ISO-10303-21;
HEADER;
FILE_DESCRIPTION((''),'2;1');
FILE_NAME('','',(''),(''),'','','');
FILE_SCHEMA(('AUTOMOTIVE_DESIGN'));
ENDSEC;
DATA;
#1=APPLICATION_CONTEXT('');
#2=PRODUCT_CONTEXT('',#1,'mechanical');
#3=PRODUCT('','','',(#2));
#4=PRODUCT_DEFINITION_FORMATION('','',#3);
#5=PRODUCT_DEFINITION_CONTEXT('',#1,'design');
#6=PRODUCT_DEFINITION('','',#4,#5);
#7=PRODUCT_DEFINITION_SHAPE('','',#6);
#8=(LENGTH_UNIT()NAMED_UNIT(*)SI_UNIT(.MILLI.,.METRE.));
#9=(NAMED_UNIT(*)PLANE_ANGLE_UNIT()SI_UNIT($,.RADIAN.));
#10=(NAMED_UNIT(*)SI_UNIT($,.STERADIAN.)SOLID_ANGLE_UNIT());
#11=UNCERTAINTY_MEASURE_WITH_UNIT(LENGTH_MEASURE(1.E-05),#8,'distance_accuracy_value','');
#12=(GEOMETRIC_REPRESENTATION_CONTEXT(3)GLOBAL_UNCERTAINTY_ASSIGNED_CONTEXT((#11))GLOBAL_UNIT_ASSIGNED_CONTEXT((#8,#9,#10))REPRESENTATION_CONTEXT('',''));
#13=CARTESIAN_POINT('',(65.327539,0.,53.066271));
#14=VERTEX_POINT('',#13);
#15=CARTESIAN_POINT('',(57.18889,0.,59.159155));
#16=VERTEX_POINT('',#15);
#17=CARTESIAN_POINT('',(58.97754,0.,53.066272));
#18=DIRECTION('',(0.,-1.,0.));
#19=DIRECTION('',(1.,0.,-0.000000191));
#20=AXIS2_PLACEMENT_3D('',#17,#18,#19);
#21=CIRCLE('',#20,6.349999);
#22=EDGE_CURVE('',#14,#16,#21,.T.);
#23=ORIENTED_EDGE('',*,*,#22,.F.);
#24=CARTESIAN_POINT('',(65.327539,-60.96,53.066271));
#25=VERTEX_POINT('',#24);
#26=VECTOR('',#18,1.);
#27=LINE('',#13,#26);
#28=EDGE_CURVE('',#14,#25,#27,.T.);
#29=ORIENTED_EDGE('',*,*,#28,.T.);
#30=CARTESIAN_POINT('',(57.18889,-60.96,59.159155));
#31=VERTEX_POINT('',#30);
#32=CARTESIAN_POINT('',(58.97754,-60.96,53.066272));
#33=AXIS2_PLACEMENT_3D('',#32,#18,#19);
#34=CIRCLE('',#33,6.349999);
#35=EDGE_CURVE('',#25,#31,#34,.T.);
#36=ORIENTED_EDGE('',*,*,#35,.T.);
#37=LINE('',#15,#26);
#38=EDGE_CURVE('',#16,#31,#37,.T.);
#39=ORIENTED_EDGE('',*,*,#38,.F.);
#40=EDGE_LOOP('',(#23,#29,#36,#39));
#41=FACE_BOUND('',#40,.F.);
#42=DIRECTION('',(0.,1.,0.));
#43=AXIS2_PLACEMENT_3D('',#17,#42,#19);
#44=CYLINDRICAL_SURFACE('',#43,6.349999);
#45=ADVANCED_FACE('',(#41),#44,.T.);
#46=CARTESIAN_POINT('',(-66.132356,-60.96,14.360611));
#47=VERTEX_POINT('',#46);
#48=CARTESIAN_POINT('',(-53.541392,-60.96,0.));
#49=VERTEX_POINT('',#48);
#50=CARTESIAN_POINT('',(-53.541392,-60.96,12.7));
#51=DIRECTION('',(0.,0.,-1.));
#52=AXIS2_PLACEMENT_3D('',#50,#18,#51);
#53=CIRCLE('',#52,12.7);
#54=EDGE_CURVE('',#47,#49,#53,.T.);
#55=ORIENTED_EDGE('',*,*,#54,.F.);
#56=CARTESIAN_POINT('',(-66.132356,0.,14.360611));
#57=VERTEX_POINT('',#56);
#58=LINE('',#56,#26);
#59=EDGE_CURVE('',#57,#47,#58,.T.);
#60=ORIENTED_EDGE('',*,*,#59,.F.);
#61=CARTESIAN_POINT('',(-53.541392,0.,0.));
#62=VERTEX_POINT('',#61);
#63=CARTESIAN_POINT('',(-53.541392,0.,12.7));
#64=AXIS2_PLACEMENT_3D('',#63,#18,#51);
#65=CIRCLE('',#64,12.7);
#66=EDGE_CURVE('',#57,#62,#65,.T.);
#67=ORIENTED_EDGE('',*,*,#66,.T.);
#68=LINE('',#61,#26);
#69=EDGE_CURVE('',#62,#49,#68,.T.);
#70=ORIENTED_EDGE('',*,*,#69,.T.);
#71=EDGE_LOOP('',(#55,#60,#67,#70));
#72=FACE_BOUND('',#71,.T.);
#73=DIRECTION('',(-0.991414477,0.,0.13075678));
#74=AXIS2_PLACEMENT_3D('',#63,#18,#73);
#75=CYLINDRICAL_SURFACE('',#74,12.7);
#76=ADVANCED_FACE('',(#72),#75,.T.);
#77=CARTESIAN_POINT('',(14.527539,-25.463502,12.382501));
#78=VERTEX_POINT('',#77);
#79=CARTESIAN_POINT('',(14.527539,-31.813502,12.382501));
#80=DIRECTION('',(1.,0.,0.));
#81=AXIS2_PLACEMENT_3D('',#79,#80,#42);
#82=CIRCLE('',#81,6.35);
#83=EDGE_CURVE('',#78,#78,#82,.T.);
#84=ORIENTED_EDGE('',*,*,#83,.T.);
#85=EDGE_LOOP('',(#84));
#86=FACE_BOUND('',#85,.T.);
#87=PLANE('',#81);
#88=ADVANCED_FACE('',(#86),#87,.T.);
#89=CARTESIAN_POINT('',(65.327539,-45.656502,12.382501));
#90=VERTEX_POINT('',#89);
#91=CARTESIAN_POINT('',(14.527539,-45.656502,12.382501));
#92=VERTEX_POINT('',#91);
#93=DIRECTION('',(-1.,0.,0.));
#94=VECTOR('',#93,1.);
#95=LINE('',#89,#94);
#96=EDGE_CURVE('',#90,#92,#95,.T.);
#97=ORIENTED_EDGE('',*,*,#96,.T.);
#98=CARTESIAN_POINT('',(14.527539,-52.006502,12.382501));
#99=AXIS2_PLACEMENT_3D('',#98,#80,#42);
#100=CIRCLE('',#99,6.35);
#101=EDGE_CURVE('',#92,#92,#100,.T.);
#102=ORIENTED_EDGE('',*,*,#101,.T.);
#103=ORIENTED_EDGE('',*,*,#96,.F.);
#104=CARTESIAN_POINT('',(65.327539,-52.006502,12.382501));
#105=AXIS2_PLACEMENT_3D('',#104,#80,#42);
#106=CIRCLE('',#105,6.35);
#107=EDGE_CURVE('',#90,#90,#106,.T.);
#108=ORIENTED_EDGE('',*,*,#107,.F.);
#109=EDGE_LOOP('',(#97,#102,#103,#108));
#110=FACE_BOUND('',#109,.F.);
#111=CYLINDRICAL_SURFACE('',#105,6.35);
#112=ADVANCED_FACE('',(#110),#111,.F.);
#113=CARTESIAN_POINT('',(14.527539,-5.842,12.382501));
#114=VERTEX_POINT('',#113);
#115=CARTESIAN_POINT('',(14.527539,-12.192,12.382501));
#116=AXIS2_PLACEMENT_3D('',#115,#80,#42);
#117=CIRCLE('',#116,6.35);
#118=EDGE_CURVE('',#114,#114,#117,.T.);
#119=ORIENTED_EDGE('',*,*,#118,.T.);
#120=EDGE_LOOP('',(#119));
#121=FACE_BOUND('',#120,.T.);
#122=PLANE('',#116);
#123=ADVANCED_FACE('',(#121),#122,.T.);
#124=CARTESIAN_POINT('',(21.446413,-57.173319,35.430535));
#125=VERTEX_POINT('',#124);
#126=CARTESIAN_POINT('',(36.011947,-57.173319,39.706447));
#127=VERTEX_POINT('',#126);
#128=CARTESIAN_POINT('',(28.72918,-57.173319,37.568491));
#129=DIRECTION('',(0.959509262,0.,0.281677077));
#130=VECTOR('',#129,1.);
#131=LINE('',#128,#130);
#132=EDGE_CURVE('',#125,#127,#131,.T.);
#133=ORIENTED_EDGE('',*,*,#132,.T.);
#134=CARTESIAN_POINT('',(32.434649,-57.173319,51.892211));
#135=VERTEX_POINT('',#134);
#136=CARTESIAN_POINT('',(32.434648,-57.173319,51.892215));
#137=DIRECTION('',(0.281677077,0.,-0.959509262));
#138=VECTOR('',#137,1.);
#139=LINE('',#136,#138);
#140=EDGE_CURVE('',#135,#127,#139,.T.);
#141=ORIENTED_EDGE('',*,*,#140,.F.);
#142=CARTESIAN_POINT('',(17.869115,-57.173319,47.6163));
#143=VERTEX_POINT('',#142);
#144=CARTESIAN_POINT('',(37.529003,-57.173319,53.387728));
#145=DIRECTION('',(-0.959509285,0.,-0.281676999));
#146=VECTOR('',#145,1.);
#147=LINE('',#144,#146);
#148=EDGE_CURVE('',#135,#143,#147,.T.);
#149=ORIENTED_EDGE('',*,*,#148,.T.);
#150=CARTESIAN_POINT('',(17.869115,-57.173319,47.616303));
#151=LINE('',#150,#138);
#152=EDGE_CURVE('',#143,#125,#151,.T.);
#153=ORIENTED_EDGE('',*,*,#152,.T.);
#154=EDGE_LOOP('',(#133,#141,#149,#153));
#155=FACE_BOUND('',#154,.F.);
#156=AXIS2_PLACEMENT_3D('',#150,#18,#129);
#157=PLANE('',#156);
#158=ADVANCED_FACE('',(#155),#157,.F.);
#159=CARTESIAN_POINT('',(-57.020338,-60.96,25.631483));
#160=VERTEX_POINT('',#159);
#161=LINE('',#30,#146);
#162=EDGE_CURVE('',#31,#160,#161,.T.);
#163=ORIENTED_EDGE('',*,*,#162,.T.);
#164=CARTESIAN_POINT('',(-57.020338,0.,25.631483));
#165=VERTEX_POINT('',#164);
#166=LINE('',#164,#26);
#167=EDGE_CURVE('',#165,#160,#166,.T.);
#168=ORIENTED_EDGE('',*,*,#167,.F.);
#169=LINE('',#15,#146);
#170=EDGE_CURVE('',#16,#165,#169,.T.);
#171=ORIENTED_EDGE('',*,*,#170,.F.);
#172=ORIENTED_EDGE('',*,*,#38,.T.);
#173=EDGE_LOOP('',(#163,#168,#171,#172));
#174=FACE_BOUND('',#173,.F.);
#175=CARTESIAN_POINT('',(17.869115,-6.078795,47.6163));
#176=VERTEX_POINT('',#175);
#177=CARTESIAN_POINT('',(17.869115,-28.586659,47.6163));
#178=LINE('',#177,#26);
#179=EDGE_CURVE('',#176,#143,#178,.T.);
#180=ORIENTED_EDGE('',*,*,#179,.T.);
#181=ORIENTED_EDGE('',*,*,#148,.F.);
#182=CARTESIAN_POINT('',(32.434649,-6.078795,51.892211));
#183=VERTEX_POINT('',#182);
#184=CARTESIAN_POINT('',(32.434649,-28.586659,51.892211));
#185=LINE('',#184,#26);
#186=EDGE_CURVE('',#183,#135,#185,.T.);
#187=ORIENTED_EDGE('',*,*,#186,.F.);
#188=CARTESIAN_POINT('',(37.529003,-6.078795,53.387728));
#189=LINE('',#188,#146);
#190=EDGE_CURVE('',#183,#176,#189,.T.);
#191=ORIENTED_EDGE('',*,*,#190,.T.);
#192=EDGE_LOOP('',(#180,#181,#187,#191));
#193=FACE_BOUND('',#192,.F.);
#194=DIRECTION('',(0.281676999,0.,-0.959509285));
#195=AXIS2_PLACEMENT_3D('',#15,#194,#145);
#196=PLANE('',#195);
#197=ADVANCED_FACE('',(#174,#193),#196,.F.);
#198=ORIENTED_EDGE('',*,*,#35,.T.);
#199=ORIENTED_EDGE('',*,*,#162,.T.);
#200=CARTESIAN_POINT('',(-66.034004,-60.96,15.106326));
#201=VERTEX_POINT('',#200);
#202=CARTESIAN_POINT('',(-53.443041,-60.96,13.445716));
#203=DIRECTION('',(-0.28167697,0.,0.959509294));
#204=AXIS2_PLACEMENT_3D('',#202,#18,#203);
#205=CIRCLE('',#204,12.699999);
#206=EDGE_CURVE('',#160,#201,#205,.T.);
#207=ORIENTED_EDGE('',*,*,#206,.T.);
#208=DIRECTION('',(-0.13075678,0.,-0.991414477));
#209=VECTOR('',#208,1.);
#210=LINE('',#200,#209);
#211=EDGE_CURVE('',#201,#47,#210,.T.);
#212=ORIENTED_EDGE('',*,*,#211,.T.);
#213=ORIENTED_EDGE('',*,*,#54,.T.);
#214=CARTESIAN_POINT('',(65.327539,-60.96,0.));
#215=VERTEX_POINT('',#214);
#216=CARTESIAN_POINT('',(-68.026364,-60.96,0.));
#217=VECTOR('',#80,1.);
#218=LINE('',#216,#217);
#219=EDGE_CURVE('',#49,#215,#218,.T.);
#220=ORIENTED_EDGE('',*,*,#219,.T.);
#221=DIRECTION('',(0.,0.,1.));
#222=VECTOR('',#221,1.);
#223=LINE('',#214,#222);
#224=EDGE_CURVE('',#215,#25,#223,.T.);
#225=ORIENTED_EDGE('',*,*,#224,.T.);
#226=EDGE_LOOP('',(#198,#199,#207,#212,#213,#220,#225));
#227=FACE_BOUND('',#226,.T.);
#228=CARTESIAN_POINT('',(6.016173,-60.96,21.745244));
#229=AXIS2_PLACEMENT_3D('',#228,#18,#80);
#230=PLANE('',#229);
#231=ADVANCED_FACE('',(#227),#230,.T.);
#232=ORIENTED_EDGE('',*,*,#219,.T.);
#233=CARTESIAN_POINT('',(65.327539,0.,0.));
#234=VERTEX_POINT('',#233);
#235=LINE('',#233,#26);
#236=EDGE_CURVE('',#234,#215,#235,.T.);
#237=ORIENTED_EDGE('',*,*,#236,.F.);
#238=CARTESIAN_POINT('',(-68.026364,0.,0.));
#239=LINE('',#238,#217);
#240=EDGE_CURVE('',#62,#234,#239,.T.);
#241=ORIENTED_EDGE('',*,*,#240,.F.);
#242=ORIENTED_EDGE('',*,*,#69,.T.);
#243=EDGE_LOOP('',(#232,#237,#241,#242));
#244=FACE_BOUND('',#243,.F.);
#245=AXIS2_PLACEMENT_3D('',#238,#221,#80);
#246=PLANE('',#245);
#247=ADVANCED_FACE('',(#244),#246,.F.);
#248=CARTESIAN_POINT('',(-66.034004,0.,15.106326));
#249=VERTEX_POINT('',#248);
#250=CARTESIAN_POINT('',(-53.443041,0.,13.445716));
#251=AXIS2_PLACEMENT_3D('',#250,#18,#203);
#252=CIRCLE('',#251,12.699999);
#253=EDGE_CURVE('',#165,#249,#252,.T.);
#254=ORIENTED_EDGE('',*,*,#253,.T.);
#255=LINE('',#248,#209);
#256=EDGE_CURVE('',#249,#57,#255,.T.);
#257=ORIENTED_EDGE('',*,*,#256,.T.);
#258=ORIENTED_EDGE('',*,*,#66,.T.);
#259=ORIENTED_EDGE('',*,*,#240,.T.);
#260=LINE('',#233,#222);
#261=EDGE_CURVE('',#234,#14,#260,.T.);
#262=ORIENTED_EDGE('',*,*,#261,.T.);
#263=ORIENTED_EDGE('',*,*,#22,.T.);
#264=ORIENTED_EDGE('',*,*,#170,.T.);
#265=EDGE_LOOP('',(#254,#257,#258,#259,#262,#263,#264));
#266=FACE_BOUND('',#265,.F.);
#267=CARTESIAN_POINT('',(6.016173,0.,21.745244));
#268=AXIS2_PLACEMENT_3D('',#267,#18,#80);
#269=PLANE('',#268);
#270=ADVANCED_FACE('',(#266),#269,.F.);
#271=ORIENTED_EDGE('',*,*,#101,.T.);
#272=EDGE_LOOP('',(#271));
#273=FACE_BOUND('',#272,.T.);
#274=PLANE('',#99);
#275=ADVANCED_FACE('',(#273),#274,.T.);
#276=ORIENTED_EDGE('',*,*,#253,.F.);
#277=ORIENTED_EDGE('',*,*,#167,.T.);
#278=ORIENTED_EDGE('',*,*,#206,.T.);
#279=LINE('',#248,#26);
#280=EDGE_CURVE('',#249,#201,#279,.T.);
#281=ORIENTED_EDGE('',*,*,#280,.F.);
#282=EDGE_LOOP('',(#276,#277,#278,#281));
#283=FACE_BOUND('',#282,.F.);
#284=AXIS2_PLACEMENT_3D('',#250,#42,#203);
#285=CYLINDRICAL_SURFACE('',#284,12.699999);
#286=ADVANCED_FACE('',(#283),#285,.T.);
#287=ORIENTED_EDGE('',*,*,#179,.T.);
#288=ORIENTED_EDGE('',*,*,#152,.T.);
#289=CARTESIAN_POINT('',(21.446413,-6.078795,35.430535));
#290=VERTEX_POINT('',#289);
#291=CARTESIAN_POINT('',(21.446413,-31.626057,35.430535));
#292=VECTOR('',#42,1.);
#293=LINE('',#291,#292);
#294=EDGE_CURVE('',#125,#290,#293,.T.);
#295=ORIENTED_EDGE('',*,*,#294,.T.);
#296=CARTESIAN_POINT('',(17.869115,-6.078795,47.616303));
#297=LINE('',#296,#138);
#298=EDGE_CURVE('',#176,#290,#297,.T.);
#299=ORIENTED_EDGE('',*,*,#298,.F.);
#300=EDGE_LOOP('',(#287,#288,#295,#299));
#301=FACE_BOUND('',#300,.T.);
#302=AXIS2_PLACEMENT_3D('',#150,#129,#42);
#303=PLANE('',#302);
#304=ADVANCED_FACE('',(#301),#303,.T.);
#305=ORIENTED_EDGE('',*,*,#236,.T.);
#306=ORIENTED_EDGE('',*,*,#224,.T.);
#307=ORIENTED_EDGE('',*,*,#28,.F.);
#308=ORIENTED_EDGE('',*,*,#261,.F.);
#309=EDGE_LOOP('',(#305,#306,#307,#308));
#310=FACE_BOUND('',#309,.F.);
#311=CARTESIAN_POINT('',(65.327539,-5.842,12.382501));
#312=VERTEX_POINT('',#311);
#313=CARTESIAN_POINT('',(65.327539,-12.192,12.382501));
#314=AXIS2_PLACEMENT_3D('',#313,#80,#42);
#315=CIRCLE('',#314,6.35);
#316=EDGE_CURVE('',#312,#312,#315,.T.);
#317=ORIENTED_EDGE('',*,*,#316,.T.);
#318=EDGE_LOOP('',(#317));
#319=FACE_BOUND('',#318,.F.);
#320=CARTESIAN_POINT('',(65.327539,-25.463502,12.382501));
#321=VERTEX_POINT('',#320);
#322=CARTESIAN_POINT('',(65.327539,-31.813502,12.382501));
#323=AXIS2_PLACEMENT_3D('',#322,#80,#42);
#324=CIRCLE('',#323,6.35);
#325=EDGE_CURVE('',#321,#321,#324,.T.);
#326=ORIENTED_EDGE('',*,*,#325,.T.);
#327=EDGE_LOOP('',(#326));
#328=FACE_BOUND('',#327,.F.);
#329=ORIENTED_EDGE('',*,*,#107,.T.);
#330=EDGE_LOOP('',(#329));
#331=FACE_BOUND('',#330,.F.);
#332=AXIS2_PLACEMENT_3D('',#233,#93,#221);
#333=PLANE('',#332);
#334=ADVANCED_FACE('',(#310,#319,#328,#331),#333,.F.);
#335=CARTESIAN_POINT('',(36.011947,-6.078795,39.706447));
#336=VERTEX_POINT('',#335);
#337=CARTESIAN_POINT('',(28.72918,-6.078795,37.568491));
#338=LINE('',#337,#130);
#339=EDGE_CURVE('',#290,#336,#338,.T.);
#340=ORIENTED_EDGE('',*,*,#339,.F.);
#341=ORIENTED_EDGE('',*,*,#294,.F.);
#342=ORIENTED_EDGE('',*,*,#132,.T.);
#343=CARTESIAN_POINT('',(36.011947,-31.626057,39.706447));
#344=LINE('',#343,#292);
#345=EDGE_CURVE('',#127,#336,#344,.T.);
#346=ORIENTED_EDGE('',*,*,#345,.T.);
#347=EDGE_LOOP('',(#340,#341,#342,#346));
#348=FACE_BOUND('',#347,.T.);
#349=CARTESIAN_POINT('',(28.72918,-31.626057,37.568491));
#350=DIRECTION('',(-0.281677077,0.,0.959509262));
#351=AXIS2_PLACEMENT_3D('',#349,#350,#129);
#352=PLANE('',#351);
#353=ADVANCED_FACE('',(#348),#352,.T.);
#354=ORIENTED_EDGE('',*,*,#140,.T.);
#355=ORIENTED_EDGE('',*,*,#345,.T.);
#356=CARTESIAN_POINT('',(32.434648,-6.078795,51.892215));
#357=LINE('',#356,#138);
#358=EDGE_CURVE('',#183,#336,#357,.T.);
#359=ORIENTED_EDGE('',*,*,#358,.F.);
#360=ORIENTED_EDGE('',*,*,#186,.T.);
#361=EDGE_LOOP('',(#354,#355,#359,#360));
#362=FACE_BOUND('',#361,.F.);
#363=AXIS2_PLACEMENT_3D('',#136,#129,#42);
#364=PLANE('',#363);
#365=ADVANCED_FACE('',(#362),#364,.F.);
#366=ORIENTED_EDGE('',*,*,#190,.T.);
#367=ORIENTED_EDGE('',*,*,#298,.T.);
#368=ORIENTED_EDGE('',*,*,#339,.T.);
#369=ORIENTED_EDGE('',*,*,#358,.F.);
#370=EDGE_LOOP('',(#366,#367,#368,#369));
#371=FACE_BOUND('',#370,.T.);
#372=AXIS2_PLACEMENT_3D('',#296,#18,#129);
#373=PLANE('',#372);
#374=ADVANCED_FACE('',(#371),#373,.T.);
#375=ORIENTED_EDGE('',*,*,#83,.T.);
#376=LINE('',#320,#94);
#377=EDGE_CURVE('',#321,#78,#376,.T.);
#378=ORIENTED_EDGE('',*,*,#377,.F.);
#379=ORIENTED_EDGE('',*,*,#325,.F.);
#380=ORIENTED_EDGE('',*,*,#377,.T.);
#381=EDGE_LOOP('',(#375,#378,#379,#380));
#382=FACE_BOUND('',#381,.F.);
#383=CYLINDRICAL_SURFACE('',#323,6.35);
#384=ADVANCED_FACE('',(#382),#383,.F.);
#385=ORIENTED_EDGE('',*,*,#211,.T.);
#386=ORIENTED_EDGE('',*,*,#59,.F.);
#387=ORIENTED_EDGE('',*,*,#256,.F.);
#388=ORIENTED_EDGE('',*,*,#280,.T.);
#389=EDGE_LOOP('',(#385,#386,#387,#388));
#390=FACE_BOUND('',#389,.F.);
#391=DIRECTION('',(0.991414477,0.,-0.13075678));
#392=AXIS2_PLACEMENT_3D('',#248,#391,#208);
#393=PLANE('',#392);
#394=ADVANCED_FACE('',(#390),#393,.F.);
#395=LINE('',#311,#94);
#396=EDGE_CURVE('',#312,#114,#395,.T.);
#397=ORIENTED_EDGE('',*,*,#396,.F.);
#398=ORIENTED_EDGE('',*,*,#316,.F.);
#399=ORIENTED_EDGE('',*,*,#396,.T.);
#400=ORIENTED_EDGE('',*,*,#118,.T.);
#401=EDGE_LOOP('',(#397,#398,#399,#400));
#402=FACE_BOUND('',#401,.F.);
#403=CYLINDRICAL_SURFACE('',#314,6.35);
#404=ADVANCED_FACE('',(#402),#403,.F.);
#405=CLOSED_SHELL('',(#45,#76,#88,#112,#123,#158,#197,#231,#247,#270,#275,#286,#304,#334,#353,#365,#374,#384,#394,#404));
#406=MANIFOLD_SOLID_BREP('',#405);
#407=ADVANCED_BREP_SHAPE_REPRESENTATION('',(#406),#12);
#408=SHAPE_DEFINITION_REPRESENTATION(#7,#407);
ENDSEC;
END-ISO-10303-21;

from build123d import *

# Parameters (mm, degrees)
F1_DEPTH = 60.96
F2_W     = 15.180191
F2_H     = 51.094524
F3_DEPTH = 12.7
F4_R     = 12.7
F5_R     = 6.35
F6_DEPTH = 50.8


with BuildPart() as f1:
    # F0 (on Front) → F1 (new body)
    with BuildSketch(Plane.XZ):
        with BuildLine():
            Line((-66.034004, 15.106326), (-68.026364, 0))
            Line((-68.026364, 0), (65.327539, 0))
            Line((65.327539, 0), (65.327539, 53.066271))
            ThreePointArc((65.327539, 53.066271), (62.7831, 58.149598), (57.18889, 59.159155))
            Line((57.18889, 59.159155), (-57.020338, 25.631483))
            ThreePointArc((-57.020338, 25.631483), (-63.089174, 21.706593), (-66.034004, 15.106326))
        make_face()
    extrude(amount=F1_DEPTH)

    # F2 (on face) → F3 (cut)
    with BuildSketch(Plane(origin=(-11.451568, 0, 39.008815), x_dir=(0.959509, 0, 0.281677), z_dir=(-0.281677, 0, 0.959509))):
        with Locations((38.148094, -31.626057)):
            Rectangle(F2_W, F2_H)
    extrude(amount=-F3_DEPTH, mode=Mode.SUBTRACT)

    # F4
    f4_edges = [f1.edges().sort_by_distance(p)[0] for p in [
        (-68.026364, -30.48, 0),
    ]]
    fillet(f4_edges, radius=F4_R)

    # F5 (on face) → F6 (cut)
    with BuildSketch(Plane.YZ.offset(65.327539)):
        with Locations((-52.006502, 12.382501)):
            Circle(F5_R)
        with Locations((-31.813502, 12.382501)):
            Circle(F5_R)
        with Locations((-12.192, 12.382501)):
            Circle(F5_R)
    extrude(amount=-F6_DEPTH, mode=Mode.SUBTRACT)


solid = f1.part
